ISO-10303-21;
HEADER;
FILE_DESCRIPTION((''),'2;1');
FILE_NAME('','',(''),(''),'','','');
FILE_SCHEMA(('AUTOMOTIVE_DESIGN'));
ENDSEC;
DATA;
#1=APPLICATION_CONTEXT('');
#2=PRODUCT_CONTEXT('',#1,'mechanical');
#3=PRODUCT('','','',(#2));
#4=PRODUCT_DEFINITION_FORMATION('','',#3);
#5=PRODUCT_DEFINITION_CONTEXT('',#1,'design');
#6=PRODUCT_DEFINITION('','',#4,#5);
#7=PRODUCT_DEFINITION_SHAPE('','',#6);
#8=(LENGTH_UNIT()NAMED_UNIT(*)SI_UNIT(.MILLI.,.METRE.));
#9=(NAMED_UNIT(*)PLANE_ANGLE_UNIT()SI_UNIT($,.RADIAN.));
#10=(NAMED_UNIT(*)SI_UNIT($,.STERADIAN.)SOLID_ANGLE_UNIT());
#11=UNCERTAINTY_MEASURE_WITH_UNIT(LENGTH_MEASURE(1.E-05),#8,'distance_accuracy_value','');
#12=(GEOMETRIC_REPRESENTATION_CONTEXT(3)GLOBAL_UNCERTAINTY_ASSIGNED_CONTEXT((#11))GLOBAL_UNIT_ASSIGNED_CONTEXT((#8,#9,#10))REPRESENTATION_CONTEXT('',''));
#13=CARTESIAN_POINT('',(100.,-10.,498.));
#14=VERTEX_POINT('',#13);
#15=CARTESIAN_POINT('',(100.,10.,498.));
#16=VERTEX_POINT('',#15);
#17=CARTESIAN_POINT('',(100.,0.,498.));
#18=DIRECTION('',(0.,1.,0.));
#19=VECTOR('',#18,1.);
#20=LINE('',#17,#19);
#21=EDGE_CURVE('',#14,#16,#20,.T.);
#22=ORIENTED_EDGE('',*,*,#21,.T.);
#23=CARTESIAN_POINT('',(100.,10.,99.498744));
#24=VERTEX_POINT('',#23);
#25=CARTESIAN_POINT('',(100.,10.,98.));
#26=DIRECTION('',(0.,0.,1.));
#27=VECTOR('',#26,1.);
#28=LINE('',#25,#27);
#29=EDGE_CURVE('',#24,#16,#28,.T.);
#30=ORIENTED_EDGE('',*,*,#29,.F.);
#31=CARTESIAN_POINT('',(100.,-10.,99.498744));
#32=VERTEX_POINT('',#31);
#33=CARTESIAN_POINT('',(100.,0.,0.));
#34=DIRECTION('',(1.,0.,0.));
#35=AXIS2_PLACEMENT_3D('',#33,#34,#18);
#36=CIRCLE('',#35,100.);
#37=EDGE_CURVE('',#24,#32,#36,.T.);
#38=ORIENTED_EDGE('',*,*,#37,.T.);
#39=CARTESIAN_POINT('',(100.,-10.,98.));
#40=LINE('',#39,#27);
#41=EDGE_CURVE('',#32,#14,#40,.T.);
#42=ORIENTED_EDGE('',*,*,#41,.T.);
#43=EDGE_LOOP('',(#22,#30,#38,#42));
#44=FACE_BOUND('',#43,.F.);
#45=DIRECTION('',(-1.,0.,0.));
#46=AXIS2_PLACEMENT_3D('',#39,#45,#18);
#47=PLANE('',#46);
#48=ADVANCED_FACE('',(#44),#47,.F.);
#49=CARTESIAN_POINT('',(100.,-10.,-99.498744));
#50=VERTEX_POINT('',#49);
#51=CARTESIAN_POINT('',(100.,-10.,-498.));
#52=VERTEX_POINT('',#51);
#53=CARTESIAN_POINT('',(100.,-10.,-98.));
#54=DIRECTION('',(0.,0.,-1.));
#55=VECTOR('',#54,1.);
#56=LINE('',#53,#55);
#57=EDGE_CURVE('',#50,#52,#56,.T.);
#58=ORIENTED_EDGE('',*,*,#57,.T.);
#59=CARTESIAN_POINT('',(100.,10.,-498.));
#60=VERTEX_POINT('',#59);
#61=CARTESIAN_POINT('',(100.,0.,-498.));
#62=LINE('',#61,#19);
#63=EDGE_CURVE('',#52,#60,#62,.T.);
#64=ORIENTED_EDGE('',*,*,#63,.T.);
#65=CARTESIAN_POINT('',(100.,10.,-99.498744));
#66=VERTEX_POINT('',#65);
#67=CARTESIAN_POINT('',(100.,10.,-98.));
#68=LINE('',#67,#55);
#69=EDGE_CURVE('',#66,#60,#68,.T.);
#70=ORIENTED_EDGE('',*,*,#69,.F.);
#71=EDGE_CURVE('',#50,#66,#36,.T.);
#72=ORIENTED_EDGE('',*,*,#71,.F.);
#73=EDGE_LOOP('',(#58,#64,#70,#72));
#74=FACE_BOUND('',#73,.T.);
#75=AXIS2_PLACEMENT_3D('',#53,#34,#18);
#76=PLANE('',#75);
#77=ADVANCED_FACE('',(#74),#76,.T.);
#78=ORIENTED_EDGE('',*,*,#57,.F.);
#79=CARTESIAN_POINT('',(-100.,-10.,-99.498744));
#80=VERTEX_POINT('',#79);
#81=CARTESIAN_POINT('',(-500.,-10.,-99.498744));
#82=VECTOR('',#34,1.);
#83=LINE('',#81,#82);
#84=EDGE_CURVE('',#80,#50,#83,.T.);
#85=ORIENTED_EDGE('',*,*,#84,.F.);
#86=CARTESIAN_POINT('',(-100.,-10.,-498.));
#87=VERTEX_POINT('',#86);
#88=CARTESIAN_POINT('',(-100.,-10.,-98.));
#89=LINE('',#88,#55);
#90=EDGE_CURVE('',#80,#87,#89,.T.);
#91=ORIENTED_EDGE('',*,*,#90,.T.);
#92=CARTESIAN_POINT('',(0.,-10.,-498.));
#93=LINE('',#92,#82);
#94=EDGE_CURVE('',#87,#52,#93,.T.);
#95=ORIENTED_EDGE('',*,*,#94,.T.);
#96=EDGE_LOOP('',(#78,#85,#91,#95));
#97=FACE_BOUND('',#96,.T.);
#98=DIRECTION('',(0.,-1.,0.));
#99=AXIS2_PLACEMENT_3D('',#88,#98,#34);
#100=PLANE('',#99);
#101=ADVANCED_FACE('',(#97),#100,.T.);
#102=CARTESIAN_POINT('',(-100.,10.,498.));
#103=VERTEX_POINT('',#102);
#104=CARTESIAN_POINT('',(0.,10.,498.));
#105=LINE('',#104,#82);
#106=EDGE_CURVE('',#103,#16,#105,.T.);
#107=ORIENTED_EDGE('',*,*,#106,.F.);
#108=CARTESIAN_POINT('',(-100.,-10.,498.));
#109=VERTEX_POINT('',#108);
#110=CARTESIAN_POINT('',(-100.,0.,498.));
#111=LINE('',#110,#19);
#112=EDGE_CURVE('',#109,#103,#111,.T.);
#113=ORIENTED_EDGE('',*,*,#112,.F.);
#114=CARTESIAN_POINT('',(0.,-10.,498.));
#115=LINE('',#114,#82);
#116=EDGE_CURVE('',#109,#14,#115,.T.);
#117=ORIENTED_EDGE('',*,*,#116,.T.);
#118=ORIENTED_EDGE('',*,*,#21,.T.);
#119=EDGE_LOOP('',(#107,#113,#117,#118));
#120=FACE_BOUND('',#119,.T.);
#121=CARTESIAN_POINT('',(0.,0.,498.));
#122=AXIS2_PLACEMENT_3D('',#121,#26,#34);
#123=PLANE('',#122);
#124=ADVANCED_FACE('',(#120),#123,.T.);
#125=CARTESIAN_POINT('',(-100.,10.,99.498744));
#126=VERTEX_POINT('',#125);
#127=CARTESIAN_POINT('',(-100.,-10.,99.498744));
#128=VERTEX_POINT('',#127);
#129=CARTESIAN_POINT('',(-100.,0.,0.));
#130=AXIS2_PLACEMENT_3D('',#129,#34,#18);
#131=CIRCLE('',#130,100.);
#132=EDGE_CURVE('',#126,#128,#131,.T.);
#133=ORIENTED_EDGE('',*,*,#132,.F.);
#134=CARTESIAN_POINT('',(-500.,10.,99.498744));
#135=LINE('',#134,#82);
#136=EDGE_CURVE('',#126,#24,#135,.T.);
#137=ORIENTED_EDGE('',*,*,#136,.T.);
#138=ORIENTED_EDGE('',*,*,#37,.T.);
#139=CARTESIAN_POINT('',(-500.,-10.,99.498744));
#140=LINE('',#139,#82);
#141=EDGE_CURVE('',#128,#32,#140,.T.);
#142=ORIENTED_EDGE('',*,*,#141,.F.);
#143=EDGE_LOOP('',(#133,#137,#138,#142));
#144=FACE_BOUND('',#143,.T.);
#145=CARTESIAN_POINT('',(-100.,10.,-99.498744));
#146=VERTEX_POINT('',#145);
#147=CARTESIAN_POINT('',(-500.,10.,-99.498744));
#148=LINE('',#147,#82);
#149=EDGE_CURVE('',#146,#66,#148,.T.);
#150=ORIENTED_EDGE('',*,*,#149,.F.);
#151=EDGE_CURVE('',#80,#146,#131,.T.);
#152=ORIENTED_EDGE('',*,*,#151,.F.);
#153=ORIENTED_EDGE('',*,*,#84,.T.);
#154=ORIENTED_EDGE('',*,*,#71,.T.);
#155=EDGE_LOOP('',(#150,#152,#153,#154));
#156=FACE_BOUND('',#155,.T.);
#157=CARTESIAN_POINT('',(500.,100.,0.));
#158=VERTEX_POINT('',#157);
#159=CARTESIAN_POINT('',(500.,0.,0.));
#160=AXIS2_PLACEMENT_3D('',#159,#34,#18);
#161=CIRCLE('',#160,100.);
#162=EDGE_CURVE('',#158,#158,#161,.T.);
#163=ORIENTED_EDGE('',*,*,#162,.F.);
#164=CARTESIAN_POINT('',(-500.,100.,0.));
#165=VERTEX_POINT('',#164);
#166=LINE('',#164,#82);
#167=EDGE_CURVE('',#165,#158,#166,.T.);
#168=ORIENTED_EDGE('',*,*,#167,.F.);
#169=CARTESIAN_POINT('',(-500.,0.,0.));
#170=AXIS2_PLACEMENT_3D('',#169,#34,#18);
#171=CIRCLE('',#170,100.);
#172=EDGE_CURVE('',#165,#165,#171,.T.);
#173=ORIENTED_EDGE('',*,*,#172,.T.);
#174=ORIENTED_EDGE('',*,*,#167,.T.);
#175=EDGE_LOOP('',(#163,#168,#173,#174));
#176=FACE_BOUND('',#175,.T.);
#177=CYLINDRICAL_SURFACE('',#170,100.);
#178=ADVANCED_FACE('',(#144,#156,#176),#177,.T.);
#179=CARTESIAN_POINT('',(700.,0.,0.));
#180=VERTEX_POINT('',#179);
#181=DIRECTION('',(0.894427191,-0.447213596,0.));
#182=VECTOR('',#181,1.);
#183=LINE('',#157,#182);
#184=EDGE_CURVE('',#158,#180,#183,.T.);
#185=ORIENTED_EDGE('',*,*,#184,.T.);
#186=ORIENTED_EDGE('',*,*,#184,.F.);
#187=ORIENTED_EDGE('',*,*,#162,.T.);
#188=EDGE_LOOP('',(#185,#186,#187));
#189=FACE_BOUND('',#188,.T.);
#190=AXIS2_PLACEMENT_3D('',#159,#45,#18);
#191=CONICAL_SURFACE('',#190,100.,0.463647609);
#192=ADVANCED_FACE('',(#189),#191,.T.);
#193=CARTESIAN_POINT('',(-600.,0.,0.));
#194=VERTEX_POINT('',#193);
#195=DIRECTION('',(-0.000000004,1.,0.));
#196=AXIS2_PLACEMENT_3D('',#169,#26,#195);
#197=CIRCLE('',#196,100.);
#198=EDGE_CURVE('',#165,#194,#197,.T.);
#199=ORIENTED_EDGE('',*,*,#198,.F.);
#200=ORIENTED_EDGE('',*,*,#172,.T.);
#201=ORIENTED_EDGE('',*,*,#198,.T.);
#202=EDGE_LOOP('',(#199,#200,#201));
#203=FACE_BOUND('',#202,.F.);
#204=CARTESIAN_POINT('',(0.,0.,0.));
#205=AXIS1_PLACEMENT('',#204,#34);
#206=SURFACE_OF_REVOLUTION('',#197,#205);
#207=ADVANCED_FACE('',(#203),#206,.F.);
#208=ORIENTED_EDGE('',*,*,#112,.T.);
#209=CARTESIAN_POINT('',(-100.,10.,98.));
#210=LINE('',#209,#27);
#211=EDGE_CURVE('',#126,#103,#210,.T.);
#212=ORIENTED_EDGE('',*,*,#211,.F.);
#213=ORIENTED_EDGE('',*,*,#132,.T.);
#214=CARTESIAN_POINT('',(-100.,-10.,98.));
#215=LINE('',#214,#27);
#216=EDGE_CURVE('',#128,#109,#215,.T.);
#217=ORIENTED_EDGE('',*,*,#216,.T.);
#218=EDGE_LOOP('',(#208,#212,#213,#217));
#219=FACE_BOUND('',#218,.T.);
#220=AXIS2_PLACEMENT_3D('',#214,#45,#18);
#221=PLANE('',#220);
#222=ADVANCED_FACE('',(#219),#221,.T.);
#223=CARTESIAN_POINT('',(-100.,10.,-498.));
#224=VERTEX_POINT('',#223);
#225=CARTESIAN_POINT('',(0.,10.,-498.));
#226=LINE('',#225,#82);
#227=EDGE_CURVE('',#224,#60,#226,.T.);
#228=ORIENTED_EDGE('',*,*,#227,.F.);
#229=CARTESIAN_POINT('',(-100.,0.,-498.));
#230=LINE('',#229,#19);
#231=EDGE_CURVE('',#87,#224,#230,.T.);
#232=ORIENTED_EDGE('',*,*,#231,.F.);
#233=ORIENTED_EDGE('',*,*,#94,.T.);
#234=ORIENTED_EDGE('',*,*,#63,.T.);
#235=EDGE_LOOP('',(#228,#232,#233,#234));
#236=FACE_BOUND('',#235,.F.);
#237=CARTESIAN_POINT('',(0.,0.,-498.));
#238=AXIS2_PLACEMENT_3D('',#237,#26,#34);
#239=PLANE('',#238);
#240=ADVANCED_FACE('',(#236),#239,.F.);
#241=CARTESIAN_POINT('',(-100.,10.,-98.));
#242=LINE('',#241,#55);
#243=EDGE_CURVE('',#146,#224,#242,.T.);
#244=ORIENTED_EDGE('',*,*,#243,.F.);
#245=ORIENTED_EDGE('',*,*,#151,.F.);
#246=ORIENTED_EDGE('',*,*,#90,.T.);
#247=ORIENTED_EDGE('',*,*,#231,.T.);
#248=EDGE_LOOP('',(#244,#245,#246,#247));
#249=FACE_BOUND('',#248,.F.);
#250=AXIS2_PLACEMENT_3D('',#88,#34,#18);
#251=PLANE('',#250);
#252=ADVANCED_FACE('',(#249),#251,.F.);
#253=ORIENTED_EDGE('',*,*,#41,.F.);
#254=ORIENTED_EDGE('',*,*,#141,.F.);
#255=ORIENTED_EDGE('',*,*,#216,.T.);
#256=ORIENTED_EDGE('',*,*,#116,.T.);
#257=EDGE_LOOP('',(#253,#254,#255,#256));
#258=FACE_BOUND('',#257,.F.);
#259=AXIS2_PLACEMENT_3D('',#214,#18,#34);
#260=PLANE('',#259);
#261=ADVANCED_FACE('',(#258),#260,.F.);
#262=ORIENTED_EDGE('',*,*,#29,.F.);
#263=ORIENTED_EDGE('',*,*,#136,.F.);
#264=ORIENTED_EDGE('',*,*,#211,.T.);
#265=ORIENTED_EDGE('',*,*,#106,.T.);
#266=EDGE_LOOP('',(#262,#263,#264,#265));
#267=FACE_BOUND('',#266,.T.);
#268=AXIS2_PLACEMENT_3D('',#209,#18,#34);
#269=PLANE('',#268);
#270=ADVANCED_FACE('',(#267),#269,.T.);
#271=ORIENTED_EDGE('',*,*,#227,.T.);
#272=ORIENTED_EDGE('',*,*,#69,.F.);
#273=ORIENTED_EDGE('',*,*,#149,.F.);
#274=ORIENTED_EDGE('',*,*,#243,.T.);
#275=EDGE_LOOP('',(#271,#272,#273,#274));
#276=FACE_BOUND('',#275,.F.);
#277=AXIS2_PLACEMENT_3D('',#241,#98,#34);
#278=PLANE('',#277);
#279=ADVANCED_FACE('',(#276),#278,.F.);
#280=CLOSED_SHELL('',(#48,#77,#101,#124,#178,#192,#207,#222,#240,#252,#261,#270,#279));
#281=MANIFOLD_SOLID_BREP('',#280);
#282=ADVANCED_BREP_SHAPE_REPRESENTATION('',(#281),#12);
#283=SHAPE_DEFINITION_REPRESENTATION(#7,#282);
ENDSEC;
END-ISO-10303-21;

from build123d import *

# Parameters (mm, degrees)
SKETCH004_W  = 200
SKETCH004_H  = 20
PAD_DEPTH    = 400
SKETCH005_W  = 200
SKETCH005_H  = 20
PAD001_DEPTH = 400


with BuildPart() as part:
    # Sketch → Revolution (revolve)
    with BuildSketch(Plane.XY):
        with BuildLine():
            Line((-500, 0), (500, 0))
            Line((500, 0), (700, 0))
            Line((500, 100), (700, 0))
            Line((-500, 100), (500, 100))
            ThreePointArc((-500, 100), (-570.710678, 70.710678), (-600, 0))
            Line((-500, 0), (-600, 0))
        make_face()
    revolve(axis=Axis((0, 0, 0), (1, 0, 0)))

    # Sketch004 → Pad (new body)
    with BuildSketch(Plane.XY.offset(98)):
        Rectangle(SKETCH004_W, SKETCH004_H)
    extrude(amount=PAD_DEPTH)

    # Sketch005 → Pad001 (join)
    with BuildSketch(Plane.XY.offset(-98)):
        Rectangle(SKETCH005_W, SKETCH005_H)
    extrude(amount=-PAD001_DEPTH)


solid = part.part
